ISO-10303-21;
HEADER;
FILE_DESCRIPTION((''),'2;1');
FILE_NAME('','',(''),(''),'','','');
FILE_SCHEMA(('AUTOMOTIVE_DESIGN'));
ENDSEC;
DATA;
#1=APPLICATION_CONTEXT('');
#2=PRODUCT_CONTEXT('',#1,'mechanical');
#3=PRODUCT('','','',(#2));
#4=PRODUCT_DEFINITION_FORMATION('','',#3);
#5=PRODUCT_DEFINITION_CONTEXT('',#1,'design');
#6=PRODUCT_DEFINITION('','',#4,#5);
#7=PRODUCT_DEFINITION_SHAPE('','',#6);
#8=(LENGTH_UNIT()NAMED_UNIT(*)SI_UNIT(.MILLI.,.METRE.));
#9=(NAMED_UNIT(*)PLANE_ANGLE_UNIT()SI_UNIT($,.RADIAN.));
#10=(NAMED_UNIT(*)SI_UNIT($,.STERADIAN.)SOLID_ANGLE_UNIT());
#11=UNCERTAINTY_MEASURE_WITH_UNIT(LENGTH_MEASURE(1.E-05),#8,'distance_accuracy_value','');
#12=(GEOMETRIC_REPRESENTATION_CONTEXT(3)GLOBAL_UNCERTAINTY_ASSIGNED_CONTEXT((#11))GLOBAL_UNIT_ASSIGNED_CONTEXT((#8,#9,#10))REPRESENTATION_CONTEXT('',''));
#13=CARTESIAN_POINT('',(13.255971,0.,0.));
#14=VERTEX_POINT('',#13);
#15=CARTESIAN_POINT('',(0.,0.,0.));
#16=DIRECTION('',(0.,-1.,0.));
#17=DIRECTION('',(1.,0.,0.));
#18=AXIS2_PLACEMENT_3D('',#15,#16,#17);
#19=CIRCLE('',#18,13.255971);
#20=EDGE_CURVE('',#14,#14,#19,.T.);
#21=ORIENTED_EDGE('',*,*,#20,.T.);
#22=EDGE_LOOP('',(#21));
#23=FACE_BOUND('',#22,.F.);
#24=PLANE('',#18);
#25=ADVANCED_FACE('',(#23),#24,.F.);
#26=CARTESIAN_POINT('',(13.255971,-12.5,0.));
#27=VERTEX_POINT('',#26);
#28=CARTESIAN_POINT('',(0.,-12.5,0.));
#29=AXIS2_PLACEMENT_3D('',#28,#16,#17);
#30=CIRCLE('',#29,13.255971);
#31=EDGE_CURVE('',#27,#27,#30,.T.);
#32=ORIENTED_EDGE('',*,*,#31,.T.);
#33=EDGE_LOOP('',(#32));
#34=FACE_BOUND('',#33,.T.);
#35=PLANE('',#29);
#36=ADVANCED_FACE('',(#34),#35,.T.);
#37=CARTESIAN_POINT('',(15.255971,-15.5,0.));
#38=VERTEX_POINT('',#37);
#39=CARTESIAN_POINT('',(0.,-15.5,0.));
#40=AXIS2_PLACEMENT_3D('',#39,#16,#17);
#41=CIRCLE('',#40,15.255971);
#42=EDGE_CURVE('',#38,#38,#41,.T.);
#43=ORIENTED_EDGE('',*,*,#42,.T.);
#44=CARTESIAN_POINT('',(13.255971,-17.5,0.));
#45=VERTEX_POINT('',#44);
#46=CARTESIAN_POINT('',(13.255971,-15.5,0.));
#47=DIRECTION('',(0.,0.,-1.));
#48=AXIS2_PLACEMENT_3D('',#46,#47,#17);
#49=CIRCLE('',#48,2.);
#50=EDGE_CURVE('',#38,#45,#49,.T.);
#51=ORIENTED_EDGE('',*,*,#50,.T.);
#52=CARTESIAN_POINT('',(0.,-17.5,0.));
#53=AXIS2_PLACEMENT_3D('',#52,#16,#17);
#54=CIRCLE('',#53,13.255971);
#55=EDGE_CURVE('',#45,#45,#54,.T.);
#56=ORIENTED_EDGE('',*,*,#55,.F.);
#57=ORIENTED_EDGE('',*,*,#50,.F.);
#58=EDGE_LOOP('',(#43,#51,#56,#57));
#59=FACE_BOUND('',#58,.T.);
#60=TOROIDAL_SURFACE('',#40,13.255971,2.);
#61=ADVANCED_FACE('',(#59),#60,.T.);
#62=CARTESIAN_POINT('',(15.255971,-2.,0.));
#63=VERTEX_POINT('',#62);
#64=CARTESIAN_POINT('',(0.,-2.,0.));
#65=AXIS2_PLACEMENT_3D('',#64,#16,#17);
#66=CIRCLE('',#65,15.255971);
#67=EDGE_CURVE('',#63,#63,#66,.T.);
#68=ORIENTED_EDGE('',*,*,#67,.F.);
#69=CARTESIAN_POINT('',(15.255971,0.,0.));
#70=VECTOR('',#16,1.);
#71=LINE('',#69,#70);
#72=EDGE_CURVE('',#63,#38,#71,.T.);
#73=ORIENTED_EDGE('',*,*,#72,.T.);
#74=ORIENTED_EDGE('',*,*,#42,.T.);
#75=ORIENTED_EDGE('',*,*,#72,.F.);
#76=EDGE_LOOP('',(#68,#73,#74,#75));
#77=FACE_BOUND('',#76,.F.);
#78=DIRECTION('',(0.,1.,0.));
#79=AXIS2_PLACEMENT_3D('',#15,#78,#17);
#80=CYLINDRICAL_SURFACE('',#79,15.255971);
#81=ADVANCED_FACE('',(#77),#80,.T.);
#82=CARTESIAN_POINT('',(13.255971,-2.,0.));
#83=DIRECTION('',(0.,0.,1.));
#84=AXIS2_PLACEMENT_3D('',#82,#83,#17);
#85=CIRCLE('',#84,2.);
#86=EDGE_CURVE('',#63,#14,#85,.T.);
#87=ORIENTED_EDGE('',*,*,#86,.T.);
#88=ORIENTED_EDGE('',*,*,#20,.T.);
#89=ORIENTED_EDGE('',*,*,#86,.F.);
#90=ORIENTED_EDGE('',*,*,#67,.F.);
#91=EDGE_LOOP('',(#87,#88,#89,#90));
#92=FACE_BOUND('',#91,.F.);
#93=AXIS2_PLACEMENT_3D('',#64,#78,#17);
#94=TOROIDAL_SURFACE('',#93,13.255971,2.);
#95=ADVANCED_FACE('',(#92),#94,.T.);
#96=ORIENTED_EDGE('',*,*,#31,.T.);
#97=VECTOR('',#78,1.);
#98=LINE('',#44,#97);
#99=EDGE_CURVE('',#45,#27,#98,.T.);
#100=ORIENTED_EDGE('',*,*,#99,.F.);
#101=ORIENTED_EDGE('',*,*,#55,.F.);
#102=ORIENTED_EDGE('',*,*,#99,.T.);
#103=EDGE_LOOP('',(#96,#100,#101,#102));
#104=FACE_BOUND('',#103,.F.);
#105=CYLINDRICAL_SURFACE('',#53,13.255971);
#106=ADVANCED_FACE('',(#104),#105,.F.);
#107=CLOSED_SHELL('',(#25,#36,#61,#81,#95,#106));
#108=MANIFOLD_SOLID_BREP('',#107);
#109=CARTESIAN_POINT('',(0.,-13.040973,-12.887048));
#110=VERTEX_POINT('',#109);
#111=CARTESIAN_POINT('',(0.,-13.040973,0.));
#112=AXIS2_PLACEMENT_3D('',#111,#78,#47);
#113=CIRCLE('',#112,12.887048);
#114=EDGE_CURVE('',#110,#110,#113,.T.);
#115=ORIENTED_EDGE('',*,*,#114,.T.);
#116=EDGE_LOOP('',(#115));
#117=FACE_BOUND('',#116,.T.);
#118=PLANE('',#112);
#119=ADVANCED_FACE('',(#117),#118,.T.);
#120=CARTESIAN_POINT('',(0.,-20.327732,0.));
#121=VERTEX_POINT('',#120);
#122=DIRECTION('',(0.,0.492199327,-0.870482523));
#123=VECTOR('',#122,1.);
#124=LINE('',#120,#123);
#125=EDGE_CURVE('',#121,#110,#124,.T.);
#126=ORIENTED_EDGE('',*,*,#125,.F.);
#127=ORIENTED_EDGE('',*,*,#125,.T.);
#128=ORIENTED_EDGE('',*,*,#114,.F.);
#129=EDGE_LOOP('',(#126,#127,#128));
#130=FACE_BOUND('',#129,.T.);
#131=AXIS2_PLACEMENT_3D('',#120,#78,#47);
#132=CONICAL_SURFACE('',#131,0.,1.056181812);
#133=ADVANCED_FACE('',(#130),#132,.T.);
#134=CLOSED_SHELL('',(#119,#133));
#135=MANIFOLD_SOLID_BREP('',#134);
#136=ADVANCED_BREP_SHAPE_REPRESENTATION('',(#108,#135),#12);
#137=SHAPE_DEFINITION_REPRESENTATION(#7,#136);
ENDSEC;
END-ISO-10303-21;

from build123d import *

# Parameters (mm, degrees)
F0_R      = 15.255971
F1_DEPTH  = 17.5
F2_R      = 2
F1_FACE_R = 13.255971
F3_DEPTH  = 5


with BuildPart() as f1:
    # F0 (on Front) → F1 (new body)
    with BuildSketch(Plane.XZ):
        Circle(F0_R)
    extrude(amount=F1_DEPTH)

    # F2
    f2_edges = [f1.edges().sort_by_distance(p)[0] for p in [
        (-15.255971, -17.5, 0),
        (-15.255971, 0, 0),
    ]]
    fillet(f2_edges, radius=F2_R)

    # F1_face (on face) → F3 (cut)
    with BuildSketch(Plane.XZ.offset(17.5)):
        Circle(F1_FACE_R)
    extrude(amount=-F3_DEPTH, mode=Mode.SUBTRACT)


with BuildPart() as f6:
    # F5 (on Right) → F6 (revolve)
    with BuildSketch(Plane.YZ):
        Polygon((-13.040973, -12.887048), (-13.040973, 0), (-20.327732, 0), align=None)
    revolve(axis=Axis((0, -16.684352, 0), (0, 1, 0)))


solid = Compound([f1.part, f6.part])
